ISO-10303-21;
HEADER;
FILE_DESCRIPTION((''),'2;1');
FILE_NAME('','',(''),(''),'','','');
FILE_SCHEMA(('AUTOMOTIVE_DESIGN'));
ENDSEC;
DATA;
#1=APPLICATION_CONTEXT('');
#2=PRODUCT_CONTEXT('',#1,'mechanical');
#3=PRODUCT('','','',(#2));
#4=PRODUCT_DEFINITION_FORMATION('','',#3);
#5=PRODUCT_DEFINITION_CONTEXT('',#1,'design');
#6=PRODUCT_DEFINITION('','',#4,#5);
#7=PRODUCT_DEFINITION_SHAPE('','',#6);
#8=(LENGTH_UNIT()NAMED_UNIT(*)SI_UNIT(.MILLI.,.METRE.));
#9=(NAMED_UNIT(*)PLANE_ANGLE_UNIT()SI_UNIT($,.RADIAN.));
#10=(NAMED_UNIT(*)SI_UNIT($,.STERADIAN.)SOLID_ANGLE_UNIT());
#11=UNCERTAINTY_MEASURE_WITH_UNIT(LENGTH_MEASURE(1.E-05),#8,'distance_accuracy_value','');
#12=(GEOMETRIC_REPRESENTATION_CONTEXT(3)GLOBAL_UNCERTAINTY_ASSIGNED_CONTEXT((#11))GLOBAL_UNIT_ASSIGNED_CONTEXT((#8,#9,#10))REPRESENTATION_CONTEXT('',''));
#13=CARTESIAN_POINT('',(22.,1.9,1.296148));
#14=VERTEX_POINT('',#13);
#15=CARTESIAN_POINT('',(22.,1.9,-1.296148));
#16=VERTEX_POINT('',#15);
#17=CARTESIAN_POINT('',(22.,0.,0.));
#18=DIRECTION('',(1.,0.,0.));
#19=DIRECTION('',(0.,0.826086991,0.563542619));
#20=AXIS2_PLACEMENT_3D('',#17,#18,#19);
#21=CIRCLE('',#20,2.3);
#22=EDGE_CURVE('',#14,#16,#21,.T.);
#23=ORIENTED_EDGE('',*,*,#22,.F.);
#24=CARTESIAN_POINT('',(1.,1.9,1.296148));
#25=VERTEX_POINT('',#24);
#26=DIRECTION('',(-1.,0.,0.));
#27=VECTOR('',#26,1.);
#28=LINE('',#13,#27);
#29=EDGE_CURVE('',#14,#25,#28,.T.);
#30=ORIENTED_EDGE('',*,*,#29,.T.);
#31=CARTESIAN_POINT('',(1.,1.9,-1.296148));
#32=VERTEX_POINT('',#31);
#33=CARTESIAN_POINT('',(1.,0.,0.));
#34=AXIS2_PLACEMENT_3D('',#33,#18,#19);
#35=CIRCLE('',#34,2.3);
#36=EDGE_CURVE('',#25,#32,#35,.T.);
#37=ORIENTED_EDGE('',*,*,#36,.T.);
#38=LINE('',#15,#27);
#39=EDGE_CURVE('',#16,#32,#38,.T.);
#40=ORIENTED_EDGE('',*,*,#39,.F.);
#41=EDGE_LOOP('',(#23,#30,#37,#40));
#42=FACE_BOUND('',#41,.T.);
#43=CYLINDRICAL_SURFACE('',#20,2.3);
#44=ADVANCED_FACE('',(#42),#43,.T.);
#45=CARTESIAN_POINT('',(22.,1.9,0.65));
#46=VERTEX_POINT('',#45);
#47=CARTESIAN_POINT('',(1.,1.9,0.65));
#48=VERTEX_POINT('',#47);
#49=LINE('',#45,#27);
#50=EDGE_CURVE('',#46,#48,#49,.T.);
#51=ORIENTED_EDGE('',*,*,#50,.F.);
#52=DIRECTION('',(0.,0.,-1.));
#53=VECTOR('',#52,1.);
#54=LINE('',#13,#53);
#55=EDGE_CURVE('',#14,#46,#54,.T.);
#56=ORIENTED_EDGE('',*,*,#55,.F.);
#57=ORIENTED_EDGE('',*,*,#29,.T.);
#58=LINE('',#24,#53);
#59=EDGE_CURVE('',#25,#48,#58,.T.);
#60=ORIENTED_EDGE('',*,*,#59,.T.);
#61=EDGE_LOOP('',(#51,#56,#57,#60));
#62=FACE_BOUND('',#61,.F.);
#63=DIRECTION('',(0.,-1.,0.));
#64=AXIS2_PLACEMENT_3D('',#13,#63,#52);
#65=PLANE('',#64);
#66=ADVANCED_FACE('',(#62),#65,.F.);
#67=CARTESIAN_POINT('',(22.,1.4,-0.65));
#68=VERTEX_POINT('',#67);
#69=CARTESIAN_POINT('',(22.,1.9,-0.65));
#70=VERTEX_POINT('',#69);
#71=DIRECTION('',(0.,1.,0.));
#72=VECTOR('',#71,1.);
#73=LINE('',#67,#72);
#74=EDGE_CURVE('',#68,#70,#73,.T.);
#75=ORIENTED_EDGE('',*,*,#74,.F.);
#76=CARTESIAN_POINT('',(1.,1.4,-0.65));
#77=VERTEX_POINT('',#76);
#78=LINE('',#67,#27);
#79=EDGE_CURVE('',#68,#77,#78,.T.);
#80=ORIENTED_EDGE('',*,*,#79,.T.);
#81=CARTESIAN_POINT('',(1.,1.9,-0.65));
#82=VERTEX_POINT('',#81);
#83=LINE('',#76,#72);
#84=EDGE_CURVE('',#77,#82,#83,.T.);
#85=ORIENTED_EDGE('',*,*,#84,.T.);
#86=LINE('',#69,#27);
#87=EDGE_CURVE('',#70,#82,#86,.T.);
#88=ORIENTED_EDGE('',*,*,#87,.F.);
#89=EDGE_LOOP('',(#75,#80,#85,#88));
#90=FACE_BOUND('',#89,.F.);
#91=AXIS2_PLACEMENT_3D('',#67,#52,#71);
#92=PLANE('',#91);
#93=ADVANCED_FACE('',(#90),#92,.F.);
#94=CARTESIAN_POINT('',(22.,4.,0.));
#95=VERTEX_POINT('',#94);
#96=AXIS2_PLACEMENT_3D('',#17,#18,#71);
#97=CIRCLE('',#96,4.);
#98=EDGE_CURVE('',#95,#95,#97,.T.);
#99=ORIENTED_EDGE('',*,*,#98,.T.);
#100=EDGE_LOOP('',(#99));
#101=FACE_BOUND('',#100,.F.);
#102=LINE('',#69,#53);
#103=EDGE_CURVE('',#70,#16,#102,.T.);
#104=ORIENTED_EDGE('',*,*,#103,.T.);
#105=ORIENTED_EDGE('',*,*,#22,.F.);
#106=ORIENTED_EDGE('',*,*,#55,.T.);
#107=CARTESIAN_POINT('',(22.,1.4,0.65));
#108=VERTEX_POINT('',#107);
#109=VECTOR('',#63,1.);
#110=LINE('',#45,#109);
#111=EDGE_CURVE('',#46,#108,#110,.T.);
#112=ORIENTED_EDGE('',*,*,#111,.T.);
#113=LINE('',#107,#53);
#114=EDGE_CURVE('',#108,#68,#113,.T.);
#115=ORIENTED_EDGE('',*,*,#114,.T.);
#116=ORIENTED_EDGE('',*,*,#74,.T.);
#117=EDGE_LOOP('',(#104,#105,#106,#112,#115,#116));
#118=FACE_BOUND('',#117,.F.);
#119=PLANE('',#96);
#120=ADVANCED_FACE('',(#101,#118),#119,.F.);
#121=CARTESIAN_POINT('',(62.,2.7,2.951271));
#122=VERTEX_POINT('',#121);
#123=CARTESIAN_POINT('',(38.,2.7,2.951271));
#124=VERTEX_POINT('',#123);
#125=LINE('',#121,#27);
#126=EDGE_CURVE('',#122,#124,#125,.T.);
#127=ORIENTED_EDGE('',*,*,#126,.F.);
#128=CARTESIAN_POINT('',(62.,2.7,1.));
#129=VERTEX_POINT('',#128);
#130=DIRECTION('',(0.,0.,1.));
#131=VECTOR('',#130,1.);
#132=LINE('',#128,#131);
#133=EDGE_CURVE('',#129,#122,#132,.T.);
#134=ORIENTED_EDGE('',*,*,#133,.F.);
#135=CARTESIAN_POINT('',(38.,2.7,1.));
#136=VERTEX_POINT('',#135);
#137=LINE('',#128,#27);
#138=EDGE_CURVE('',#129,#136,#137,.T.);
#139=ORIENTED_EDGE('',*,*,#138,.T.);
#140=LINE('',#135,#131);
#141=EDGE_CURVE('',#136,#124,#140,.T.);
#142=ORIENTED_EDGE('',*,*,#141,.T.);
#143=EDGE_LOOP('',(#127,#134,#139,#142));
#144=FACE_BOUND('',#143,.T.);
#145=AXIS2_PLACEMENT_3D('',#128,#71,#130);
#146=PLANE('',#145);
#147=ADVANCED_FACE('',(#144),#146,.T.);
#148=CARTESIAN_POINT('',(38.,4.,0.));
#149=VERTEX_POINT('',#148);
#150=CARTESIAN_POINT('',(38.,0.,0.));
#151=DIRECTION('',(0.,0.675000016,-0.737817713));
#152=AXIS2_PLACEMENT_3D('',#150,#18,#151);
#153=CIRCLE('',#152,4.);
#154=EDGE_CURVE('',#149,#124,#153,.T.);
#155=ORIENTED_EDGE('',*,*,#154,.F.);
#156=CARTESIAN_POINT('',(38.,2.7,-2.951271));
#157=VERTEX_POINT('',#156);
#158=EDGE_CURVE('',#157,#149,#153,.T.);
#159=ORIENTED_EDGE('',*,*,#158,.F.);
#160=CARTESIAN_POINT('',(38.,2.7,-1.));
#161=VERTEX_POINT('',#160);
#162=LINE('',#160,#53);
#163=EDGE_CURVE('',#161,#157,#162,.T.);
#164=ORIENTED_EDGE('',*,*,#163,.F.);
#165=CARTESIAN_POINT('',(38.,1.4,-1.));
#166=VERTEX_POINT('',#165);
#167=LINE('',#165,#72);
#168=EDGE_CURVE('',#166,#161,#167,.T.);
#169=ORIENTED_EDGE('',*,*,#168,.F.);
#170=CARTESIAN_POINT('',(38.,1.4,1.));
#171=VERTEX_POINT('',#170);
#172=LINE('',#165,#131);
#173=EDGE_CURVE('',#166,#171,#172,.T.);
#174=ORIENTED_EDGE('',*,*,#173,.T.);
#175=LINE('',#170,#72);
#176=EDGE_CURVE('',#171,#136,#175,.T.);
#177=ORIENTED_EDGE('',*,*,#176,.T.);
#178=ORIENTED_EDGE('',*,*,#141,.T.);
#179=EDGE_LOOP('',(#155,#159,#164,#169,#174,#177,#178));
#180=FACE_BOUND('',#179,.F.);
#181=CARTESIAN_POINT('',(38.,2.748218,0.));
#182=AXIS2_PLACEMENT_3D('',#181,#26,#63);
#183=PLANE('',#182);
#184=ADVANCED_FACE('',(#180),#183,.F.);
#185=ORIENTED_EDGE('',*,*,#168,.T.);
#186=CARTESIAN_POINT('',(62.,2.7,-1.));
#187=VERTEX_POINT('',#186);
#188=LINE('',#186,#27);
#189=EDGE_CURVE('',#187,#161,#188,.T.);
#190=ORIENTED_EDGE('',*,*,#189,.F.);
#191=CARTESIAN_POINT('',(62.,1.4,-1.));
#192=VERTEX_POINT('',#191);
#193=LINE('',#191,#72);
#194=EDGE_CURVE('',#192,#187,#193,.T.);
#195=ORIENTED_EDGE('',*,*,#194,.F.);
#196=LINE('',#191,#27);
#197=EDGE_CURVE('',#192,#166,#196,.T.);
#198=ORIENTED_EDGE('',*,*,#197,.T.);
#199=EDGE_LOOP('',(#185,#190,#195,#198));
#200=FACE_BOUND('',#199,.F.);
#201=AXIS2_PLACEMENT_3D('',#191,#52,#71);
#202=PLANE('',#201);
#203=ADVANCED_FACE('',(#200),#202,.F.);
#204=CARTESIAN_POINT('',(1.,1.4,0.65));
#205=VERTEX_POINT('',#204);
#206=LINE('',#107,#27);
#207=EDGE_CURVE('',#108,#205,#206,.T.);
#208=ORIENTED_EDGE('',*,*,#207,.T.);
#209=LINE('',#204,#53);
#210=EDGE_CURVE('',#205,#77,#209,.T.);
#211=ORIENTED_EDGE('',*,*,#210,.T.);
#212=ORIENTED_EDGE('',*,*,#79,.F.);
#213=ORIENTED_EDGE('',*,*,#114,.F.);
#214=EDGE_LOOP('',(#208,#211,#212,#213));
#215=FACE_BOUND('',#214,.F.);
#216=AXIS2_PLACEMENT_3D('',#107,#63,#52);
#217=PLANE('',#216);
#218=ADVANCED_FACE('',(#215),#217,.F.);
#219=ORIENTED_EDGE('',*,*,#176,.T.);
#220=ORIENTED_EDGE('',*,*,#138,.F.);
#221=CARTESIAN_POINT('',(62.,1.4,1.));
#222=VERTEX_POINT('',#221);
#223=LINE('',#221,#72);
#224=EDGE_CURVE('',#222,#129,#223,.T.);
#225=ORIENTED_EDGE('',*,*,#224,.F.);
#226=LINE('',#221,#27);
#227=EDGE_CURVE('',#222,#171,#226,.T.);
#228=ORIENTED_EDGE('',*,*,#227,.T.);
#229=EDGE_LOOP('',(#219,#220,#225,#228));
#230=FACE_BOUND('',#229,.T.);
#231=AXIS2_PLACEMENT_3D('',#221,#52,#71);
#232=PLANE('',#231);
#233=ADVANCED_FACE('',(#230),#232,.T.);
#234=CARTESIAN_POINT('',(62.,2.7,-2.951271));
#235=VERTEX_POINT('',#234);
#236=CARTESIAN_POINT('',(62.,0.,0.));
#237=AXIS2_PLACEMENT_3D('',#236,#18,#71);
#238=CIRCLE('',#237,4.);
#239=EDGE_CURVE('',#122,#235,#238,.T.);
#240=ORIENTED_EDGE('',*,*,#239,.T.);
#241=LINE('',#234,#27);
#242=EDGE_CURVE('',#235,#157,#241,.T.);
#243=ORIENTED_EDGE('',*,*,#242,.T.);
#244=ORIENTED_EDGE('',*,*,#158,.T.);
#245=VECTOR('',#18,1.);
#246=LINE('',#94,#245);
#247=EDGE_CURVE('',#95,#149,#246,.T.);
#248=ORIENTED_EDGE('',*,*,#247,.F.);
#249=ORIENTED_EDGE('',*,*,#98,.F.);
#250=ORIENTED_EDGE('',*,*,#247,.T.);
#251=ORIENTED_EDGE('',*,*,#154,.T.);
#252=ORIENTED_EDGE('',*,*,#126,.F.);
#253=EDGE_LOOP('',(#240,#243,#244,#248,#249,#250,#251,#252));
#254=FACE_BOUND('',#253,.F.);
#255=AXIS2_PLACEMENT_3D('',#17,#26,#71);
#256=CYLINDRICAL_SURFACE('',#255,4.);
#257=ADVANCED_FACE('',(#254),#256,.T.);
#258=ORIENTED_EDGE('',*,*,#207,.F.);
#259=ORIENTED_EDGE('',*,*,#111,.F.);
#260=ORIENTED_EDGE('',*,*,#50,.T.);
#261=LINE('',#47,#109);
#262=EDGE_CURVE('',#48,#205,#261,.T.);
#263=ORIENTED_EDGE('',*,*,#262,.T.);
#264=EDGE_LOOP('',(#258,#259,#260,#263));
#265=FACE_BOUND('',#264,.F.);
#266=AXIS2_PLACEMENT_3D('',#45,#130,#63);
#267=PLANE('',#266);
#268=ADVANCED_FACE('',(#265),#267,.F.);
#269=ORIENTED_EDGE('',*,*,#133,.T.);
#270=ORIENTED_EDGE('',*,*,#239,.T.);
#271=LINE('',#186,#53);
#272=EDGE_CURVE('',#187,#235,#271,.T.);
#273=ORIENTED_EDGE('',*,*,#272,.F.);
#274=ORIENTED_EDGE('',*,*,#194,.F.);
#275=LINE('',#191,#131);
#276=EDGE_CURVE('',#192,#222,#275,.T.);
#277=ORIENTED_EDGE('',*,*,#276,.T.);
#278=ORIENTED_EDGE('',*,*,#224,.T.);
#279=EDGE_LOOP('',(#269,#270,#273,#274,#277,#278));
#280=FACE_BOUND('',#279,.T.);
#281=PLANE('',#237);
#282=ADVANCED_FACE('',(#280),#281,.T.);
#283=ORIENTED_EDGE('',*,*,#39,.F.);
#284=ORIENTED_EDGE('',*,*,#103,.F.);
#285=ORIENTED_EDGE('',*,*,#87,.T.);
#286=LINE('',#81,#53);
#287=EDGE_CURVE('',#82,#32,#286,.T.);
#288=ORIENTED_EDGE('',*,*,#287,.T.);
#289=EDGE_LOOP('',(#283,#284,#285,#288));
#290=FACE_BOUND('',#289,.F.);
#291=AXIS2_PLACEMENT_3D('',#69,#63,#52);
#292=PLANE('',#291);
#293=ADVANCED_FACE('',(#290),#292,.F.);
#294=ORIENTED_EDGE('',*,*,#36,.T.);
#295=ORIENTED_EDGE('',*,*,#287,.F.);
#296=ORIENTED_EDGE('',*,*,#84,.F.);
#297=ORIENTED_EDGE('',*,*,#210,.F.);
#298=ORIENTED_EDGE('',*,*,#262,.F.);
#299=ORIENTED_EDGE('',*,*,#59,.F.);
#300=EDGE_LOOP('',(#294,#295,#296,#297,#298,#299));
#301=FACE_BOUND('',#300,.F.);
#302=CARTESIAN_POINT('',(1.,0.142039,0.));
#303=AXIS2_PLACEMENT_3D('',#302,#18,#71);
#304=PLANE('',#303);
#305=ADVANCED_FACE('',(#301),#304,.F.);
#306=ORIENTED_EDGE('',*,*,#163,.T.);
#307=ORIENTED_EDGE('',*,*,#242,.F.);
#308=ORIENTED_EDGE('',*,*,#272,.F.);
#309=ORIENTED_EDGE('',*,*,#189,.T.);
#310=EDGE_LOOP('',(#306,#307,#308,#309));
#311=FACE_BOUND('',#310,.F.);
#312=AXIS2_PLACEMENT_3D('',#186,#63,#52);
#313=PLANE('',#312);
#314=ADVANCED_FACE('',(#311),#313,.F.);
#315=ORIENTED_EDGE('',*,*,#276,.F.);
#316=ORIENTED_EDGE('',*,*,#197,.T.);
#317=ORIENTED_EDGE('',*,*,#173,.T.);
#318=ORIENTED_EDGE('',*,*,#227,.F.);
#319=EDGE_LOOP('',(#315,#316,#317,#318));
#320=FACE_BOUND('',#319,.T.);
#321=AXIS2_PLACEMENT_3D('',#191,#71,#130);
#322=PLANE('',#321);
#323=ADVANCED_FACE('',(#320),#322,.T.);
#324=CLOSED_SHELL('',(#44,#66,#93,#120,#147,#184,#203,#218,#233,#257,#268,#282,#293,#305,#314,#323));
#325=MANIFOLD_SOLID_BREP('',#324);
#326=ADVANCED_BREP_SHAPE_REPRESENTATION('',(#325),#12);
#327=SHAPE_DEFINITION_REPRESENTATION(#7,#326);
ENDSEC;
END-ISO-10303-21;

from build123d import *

# Parameters (mm, degrees)
SKETCH009_R     = 4
PAD002_DEPTH    = 40
PAD004_DEPTH    = 21
POCKET007_DEPTH = 24


with BuildPart() as part:
    # Sketch009 → Pad002 (new body)
    with BuildSketch(Plane.YZ):
        Circle(SKETCH009_R)
    extrude(amount=PAD002_DEPTH)

    # Sketch011 → Pad004 (join)
    with BuildSketch(Plane.YZ):
        with BuildLine():
            ThreePointArc((1.9, 1.296148), (-2.3, 0), (1.9, -1.296148))
            Line((1.9, -0.65), (1.9, -1.296148))
            Line((1.4, -0.65), (1.9, -0.65))
            Line((1.4, 0.65), (1.4, -0.65))
            Line((1.9, 0.65), (1.4, 0.65))
            Line((1.9, 1.296148), (1.9, 0.65))
        make_face()
    extrude(amount=-PAD004_DEPTH)

    # Sketch021 (on Face3 of Pad004) → Pocket007 (cut)
    with BuildSketch(Plane.YZ.offset(40)):
        with BuildLine():
            Line((1.4, -1), (1.4, 1))
            Line((1.4, 1), (2.7, 1))
            Line((2.7, 1), (2.7, 2.951271))
            ThreePointArc((2.7, -2.951271), (4, 0), (2.7, 2.951271))
            Line((2.7, -1), (2.7, -2.951271))
            Line((1.4, -1), (2.7, -1))
        make_face()
    extrude(amount=-POCKET007_DEPTH, mode=Mode.SUBTRACT)


with BuildPart() as part_1:
    # Body002 placement: moved
    add(part.part.moved(Location((22, 0, 0))))


solid = part_1.part
